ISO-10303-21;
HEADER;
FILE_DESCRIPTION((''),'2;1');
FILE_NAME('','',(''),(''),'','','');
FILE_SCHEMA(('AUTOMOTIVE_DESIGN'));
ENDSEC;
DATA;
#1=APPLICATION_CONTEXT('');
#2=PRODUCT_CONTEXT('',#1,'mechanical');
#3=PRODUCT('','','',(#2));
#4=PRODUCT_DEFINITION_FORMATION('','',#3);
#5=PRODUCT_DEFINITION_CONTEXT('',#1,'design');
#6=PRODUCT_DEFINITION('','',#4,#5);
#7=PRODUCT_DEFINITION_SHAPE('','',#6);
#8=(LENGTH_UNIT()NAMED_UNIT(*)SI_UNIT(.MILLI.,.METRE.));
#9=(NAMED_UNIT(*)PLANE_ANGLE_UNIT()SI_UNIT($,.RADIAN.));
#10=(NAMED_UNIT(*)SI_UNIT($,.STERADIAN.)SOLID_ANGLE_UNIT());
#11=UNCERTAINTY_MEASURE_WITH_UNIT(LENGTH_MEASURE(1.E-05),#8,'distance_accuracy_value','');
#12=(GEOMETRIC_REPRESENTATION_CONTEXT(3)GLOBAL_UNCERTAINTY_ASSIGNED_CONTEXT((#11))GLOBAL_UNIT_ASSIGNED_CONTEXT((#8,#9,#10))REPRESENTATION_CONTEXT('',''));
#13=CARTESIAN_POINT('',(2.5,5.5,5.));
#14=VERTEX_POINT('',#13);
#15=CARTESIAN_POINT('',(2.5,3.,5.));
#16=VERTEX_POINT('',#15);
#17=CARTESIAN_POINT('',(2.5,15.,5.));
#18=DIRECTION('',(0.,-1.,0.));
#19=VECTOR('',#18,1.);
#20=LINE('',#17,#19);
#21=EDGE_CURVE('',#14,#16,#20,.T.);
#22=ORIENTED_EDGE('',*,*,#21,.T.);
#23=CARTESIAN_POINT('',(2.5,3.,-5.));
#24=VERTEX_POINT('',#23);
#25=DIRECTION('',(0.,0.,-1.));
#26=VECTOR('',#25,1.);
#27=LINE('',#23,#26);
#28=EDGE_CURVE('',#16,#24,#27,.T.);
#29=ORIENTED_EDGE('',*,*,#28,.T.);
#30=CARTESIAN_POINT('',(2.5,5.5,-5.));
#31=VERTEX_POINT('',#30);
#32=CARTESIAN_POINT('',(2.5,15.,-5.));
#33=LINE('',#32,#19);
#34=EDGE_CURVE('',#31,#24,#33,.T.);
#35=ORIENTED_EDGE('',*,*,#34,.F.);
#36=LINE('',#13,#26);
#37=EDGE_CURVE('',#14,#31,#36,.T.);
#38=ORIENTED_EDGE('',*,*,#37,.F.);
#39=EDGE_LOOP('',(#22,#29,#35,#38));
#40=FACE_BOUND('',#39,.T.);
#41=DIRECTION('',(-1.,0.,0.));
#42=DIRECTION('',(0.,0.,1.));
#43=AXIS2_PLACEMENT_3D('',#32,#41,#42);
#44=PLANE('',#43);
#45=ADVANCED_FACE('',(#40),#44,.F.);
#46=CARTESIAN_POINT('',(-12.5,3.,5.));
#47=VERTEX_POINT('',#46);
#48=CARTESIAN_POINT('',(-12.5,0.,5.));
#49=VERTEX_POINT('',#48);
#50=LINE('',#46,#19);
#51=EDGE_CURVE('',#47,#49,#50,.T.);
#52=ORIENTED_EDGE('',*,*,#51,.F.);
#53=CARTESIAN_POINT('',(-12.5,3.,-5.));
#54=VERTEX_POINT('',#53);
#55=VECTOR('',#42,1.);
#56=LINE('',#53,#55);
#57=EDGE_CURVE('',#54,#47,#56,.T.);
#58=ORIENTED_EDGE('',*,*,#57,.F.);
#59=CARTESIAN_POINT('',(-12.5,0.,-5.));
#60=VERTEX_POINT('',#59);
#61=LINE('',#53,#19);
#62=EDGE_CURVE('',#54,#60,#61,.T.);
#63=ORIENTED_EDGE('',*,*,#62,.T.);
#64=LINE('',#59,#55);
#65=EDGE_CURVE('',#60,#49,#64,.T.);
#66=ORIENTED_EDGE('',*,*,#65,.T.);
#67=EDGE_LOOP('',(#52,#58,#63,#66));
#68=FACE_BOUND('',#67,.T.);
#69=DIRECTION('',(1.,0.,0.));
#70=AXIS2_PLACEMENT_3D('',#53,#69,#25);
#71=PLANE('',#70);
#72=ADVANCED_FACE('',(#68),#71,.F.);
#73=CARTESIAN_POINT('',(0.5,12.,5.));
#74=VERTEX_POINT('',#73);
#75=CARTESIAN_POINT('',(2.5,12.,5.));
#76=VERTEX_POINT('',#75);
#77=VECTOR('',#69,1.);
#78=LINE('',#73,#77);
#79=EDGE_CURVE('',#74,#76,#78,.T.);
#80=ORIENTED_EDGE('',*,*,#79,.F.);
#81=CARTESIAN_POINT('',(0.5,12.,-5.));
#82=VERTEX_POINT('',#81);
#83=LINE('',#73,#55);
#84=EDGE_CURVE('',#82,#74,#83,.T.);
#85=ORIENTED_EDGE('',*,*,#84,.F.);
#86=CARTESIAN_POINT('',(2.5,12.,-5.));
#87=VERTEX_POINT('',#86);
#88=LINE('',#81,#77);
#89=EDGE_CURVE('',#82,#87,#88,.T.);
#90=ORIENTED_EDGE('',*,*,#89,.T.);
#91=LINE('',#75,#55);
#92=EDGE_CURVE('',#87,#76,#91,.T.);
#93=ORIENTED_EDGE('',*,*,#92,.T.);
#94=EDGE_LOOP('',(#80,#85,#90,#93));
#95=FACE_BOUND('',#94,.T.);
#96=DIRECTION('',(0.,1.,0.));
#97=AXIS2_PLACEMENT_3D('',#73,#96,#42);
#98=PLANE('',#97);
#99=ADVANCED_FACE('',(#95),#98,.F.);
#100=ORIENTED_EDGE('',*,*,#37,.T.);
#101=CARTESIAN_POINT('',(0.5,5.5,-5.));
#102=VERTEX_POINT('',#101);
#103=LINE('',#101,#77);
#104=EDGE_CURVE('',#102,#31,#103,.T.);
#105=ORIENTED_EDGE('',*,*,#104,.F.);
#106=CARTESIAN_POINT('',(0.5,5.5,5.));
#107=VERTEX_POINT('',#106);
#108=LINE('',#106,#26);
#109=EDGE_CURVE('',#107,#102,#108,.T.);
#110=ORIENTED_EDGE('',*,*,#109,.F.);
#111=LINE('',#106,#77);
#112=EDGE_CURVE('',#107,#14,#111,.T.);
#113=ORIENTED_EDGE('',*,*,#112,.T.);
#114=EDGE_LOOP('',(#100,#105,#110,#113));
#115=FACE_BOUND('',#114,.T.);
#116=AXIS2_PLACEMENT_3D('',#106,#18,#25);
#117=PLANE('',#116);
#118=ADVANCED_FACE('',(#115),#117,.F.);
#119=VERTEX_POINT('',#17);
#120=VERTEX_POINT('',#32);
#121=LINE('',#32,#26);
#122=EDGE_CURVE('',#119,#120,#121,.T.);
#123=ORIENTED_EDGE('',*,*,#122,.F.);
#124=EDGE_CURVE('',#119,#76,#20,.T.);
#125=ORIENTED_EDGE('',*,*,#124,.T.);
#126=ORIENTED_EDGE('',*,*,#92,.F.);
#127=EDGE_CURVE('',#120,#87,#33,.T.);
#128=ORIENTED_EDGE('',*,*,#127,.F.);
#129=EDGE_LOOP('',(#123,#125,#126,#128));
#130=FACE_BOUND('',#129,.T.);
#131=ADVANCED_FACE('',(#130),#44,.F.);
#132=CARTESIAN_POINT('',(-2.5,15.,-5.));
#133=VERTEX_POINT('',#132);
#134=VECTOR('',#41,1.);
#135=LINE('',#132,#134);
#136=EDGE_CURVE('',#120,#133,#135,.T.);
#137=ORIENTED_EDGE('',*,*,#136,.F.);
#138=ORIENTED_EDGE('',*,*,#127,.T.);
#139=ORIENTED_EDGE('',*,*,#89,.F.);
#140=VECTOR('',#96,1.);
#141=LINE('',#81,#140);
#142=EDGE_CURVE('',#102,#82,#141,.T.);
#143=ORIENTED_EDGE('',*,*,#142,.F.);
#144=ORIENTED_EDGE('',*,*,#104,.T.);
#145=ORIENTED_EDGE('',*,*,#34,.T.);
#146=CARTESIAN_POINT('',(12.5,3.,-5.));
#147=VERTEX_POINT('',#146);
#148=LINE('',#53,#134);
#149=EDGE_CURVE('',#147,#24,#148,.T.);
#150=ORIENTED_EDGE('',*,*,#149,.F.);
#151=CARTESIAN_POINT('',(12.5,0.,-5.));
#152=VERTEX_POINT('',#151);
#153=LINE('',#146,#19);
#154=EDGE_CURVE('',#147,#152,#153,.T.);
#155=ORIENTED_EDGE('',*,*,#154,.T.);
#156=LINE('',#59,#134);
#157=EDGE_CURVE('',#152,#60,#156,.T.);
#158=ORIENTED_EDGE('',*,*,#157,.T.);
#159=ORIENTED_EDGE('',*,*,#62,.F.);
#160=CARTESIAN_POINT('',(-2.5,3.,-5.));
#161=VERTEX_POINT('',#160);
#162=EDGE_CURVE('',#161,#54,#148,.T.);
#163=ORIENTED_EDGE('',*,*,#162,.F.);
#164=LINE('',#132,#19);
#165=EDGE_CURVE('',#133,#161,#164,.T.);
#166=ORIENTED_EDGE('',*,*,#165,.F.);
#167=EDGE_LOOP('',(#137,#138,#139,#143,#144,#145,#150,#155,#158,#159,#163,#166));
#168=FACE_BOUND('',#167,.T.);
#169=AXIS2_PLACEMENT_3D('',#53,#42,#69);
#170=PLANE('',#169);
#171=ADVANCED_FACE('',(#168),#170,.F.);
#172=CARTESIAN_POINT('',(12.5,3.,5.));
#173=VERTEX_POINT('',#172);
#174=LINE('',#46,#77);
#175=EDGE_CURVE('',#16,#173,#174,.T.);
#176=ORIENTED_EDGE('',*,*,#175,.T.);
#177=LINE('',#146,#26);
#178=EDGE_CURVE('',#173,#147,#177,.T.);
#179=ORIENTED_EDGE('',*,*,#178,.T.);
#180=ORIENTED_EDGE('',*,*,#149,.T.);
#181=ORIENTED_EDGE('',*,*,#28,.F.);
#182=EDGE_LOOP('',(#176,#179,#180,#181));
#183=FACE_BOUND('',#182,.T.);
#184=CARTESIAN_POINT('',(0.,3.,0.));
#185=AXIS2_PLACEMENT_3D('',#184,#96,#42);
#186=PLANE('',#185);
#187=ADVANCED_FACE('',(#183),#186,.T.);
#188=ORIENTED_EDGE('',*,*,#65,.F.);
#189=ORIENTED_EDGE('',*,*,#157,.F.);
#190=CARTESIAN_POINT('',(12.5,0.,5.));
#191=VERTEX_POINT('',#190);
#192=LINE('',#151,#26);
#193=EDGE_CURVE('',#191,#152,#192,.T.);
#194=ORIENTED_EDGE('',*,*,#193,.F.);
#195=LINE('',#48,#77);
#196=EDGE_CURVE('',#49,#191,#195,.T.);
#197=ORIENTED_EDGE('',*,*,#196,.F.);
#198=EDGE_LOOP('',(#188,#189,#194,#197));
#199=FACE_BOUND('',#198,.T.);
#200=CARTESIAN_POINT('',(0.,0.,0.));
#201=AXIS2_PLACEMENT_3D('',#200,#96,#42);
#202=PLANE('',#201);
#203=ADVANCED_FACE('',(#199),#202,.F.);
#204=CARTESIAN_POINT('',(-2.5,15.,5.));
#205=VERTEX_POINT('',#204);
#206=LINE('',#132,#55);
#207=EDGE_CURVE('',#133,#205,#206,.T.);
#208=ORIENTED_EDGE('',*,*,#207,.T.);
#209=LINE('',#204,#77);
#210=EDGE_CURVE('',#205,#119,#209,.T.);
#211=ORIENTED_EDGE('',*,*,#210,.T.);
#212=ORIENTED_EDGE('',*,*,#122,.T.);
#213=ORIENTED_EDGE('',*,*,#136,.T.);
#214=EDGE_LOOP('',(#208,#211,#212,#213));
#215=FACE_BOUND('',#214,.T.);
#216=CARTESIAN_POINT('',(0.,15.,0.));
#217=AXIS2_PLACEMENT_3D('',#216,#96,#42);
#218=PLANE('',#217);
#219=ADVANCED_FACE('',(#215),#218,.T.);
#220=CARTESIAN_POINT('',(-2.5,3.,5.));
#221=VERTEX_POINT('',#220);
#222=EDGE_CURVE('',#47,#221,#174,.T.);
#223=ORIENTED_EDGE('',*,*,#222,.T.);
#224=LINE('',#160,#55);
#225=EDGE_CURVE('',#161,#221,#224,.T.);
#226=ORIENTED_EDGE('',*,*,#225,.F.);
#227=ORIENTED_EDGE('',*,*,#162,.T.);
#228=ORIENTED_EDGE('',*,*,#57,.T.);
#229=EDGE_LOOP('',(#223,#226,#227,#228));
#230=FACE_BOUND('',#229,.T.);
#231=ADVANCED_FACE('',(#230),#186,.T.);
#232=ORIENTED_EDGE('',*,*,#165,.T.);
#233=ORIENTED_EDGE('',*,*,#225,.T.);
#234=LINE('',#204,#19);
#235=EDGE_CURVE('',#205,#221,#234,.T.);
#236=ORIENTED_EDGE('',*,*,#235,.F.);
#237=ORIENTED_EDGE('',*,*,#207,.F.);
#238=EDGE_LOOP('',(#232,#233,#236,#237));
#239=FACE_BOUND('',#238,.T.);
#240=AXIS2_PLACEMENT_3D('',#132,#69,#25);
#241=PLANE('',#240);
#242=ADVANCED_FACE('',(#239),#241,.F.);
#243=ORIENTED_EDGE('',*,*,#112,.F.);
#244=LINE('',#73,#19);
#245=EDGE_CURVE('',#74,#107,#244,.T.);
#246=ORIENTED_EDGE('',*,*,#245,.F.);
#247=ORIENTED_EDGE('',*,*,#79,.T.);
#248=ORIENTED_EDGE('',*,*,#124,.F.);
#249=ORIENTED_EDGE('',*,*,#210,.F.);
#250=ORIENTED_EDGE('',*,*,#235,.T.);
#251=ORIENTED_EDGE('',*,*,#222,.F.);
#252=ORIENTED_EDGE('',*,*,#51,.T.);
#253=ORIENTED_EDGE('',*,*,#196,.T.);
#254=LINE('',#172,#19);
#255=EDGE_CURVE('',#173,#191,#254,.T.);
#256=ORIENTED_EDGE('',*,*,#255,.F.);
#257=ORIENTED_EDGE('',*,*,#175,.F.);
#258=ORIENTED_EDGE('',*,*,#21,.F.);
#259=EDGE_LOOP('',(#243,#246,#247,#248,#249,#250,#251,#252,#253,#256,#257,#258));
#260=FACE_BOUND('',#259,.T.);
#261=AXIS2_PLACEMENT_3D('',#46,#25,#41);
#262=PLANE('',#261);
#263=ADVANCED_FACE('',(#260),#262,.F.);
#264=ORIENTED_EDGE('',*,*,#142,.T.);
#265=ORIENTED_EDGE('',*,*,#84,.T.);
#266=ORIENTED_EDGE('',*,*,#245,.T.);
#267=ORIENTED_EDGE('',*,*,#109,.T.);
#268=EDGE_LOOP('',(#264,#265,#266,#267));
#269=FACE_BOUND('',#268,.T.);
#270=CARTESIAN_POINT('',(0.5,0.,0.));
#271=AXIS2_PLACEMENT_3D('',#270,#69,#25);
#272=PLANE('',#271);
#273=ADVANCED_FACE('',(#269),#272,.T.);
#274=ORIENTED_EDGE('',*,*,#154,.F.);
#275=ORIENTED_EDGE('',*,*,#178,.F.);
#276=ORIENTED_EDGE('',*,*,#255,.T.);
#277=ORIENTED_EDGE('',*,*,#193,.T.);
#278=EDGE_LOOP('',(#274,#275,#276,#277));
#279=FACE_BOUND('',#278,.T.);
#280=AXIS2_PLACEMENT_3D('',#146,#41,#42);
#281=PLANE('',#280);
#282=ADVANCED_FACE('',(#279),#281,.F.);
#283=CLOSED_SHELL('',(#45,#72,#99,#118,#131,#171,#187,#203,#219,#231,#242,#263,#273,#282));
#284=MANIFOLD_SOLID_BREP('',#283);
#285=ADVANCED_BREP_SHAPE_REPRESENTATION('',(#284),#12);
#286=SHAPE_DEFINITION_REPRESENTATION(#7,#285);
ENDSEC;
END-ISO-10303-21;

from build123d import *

# Parameters (mm, degrees)
SKETCH1_W           = 25
SKETCH1_H           = 10
BOSS_EXTRUDE2_DEPTH = 3
SKETCH2_W           = 5
SKETCH2_H           = 10
BOSS_EXTRUDE4_DEPTH = 12
SKETCH4_W           = 10
SKETCH4_H           = 6.5
CUT_EXTRUDE1_DEPTH  = 2


with BuildPart() as part:
    # Sketch1 → Boss-Extrude2 (new body)
    with BuildSketch(Plane(origin=(0, 0, 0), x_dir=(1, 0, 0), z_dir=(0, 1, 0))):
        Rectangle(SKETCH1_W, SKETCH1_H)
    extrude(amount=BOSS_EXTRUDE2_DEPTH)

    # Sketch2 → Boss-Extrude4 (add)
    with BuildSketch(Plane(origin=(0, 3, 0), x_dir=(1, 0, 0), z_dir=(0, 1, 0))):
        Rectangle(SKETCH2_W, SKETCH2_H)
    extrude(amount=BOSS_EXTRUDE4_DEPTH)

    # Sketch4 → Cut-Extrude1 (cut)
    with BuildSketch(Plane(origin=(2.5, 0, 0), x_dir=(0, 0, -1), z_dir=(1, 0, 0))):
        with Locations((0, 8.75)):
            Rectangle(SKETCH4_W, SKETCH4_H)
    extrude(amount=-CUT_EXTRUDE1_DEPTH, mode=Mode.SUBTRACT)


solid = part.part
